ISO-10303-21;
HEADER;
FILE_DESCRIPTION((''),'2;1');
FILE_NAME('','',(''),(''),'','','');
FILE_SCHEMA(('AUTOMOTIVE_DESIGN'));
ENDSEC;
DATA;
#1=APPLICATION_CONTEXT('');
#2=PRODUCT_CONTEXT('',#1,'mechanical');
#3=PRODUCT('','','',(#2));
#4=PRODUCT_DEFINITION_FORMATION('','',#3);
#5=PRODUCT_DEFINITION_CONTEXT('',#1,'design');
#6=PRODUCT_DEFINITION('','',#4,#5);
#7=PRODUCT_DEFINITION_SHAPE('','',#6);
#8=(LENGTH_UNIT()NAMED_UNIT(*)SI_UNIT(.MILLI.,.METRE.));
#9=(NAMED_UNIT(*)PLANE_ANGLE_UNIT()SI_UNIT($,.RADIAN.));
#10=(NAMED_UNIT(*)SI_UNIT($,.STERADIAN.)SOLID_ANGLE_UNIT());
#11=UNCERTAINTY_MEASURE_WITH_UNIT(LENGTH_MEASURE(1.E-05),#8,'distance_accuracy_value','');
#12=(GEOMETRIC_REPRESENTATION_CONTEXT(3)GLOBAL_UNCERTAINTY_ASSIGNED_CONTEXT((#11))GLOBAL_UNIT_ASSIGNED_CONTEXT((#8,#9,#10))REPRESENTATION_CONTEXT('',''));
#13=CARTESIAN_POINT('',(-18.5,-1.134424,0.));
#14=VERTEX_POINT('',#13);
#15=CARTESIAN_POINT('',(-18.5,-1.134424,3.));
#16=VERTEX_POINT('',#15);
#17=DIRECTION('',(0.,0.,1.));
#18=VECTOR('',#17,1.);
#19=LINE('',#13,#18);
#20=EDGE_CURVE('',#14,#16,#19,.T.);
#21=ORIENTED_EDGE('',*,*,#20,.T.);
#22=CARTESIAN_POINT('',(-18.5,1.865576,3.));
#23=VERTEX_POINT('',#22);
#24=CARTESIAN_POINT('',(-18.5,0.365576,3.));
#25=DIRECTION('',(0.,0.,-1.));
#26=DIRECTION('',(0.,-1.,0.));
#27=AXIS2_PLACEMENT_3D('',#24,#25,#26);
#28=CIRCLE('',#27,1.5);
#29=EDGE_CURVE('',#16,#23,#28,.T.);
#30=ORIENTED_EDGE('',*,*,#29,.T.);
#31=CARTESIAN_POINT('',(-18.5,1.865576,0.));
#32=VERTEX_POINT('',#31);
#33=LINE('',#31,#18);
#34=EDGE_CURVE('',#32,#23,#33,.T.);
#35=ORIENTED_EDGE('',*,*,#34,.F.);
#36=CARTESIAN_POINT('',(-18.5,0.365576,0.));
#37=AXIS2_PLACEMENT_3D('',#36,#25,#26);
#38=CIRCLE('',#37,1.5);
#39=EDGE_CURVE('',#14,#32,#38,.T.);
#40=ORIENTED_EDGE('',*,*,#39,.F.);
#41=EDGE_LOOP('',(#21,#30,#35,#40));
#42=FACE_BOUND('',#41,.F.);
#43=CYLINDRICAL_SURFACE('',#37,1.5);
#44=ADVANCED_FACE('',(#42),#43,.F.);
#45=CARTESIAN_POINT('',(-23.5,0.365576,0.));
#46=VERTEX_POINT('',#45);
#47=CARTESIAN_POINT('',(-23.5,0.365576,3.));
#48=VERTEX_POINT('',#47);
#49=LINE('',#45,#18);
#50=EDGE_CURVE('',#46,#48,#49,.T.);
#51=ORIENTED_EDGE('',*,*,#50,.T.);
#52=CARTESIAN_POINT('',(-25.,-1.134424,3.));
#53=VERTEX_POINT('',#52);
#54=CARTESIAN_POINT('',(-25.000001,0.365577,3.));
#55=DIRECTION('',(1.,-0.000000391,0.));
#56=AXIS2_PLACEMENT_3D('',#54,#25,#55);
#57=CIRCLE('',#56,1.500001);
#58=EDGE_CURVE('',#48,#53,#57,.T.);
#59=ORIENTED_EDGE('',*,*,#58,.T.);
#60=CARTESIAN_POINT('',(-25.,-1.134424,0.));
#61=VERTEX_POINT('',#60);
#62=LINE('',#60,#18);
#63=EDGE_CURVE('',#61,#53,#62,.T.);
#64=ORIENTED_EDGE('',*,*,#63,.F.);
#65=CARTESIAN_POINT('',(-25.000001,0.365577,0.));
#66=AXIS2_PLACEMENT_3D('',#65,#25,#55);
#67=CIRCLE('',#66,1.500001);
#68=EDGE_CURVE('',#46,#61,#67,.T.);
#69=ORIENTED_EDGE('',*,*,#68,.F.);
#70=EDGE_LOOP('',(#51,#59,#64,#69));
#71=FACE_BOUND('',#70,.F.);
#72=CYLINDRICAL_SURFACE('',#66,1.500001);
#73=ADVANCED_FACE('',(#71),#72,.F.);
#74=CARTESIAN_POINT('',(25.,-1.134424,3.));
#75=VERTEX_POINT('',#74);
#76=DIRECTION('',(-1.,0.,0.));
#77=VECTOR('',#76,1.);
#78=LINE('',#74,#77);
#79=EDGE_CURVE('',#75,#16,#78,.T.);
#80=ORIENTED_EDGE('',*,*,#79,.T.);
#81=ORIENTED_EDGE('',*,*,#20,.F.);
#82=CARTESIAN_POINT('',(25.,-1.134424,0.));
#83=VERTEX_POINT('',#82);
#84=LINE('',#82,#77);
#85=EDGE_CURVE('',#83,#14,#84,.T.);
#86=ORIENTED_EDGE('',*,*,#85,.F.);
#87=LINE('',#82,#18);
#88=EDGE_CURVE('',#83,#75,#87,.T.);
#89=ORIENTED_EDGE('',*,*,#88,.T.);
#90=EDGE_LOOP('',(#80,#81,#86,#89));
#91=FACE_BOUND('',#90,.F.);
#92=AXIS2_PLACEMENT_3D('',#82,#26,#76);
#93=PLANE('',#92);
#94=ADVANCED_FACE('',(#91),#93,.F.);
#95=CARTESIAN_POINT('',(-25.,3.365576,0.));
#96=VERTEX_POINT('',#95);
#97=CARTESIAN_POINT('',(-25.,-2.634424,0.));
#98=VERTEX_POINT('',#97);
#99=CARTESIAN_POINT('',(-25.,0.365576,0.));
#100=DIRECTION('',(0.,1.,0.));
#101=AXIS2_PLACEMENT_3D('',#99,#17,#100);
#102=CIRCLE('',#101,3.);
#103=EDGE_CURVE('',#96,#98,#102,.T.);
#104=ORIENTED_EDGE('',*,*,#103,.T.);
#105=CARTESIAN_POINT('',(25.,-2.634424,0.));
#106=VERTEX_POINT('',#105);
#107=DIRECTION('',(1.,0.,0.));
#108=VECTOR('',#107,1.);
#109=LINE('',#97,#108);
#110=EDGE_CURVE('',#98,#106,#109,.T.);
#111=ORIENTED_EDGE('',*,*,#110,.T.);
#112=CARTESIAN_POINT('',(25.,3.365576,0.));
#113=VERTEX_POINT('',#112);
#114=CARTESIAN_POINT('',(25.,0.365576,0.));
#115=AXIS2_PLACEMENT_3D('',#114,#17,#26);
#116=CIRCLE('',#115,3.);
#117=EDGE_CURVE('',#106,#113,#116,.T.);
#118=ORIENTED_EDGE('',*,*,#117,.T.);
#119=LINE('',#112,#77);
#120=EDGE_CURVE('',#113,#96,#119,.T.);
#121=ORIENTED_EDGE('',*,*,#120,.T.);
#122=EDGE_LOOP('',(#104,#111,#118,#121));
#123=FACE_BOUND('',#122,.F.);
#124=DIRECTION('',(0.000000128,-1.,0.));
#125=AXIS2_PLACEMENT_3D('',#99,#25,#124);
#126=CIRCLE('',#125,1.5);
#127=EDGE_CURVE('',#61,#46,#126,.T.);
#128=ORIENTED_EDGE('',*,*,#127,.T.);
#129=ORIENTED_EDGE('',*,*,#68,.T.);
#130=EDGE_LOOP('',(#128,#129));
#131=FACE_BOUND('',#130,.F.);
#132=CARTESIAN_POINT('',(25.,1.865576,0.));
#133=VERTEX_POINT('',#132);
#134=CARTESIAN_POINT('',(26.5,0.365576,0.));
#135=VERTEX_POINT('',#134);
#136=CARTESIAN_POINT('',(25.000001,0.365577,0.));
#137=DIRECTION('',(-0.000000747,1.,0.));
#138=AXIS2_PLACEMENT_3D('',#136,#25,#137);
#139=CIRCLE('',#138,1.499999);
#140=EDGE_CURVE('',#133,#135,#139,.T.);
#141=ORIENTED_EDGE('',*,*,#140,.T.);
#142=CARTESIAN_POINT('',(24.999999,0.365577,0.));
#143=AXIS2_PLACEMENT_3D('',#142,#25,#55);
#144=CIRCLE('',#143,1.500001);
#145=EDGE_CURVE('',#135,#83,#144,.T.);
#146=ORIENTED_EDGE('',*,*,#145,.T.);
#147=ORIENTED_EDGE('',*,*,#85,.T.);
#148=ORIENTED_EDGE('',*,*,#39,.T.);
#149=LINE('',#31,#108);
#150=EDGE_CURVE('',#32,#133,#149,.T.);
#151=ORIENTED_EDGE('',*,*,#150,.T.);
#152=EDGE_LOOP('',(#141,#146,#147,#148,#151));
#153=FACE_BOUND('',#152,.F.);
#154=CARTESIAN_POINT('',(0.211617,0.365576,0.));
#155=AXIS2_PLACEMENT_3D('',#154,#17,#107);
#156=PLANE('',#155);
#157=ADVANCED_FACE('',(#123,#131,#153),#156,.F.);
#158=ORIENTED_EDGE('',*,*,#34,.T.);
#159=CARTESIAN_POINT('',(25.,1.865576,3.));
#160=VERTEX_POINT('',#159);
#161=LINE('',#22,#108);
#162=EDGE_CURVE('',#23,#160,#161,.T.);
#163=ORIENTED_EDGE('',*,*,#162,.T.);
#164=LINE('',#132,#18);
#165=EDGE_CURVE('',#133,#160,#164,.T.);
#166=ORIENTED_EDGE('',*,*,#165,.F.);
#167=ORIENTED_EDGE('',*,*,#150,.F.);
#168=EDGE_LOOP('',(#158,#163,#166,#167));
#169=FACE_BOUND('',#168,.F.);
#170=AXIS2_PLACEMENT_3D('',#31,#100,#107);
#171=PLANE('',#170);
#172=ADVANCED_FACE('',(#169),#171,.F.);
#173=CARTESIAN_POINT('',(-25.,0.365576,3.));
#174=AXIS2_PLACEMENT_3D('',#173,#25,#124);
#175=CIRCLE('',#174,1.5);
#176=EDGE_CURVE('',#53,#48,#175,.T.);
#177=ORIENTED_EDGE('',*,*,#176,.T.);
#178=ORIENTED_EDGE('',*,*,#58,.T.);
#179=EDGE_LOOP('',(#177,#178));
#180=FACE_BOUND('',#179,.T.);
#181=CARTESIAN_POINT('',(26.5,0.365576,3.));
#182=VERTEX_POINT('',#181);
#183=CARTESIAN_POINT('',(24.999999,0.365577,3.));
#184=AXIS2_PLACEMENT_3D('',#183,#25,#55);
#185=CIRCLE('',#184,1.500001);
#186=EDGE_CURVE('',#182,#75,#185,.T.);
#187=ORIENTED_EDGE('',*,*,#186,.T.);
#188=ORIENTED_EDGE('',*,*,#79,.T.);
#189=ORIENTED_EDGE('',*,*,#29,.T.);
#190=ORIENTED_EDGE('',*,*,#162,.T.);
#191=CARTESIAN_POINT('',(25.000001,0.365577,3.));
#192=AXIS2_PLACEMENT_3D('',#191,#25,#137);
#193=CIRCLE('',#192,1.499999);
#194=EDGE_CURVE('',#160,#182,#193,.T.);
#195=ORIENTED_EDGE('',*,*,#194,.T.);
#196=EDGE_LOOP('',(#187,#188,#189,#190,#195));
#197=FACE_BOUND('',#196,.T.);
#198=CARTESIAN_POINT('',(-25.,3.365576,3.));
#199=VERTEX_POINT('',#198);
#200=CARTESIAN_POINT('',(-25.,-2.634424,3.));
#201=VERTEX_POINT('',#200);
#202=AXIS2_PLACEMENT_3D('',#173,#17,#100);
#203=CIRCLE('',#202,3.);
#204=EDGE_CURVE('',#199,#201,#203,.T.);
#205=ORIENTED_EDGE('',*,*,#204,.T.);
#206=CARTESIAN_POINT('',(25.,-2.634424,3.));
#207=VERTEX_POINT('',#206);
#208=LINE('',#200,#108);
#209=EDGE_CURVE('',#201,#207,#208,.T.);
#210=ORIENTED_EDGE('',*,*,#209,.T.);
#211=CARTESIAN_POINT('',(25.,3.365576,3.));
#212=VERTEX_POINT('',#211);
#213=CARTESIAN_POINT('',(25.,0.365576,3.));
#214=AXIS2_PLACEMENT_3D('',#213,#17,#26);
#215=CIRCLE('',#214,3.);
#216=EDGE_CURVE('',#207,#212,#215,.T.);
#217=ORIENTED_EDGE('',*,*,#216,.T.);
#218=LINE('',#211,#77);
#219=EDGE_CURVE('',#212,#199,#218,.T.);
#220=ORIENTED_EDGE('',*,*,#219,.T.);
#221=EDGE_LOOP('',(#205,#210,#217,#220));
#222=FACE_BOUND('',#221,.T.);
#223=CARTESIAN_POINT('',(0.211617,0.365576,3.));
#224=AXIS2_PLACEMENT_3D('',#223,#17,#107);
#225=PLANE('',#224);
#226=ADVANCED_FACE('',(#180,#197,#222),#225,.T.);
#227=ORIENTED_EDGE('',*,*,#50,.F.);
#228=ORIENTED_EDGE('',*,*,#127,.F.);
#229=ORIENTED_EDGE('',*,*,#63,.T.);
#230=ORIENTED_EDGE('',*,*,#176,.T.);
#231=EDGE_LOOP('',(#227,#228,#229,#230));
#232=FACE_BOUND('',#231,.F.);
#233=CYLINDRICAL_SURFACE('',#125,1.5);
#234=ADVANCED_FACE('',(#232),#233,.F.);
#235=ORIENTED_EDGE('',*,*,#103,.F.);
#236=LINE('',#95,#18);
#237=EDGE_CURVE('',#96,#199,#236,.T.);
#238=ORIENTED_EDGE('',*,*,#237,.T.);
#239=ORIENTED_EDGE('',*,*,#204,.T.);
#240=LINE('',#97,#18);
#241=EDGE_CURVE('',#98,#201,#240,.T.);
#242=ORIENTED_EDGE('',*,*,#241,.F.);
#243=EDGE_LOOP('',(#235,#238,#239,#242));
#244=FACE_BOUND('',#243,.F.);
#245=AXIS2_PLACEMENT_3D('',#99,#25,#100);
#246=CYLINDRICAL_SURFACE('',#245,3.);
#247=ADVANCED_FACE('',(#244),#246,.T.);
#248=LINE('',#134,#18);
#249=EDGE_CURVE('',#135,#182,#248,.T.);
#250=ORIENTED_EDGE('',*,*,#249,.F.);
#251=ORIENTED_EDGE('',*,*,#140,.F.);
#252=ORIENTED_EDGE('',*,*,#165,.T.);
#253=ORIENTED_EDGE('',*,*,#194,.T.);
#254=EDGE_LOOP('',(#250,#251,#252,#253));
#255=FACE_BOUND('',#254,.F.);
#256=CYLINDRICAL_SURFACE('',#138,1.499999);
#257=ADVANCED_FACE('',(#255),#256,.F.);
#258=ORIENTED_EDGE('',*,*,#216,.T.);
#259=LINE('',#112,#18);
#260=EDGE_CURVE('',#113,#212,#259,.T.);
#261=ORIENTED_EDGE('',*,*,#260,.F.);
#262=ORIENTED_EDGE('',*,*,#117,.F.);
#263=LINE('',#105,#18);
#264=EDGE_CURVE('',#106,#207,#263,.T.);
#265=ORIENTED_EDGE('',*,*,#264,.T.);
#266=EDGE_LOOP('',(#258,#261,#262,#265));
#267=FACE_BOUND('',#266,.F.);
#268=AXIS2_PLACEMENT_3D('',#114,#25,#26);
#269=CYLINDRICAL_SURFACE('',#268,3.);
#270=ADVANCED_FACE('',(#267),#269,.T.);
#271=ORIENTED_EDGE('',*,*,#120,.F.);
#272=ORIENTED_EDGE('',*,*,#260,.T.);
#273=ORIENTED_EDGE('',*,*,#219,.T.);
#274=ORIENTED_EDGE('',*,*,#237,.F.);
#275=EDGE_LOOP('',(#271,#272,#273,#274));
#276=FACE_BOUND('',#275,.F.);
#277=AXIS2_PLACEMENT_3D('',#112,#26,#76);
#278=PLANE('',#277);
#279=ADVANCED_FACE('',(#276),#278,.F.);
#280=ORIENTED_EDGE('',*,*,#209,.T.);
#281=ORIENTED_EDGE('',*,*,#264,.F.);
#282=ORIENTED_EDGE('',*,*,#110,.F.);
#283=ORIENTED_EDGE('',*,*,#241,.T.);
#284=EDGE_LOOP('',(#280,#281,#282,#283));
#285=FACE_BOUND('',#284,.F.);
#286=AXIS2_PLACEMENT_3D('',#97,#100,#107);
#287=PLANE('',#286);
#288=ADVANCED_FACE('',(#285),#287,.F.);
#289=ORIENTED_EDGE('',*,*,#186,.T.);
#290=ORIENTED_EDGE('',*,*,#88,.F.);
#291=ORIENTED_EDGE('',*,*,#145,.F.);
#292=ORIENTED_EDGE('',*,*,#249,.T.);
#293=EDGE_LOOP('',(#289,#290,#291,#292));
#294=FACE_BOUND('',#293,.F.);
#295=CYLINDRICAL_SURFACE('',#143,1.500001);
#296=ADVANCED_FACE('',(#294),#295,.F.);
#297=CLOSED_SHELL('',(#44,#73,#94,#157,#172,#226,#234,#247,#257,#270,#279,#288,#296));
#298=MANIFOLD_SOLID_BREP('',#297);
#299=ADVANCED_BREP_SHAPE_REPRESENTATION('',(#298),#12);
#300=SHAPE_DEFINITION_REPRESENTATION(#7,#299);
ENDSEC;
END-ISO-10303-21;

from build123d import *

# Parameters (mm, degrees)
F1_DEPTH = 3


with BuildPart() as f1:
    # F0 (on Top) → F1 (new body)
    with BuildSketch(Plane.XY):
        with BuildLine():
            Line((25, 3.365576), (0, 3.365576))
            Line((0, 3.365576), (-25, 3.365576))
            ThreePointArc((-25, 3.365576), (-22.87868, 2.486897), (-22, 0.365576))
            ThreePointArc((-22, 0.365576), (-22.87868, -1.755744), (-25, -2.634424))
            Line((-25, -2.634424), (0, -2.634424))
            Line((0, -2.634424), (25, -2.634424))
            ThreePointArc((25, -2.634424), (28, 0.365576), (25, 3.365576))
        make_face()
        with BuildLine():
            ThreePointArc((-18.5, -1.134424), (-20, 0.365576), (-18.5, 1.865576))
            Line((-18.5, 1.865576), (25, 1.865576))
            ThreePointArc((25, 1.865576), (26.06066, 1.426237), (26.5, 0.365576))
            ThreePointArc((26.5, 0.365576), (26.06066, -0.695084), (25, -1.134424))
            Line((25, -1.134424), (-18.5, -1.134424))
        make_face(mode=Mode.SUBTRACT)
        with BuildLine():
            ThreePointArc((-22, 0.365576), (-22.87868, 2.486897), (-25, 3.365576))
            ThreePointArc((-25, 3.365576), (-28, 0.365576), (-25, -2.634424))
            ThreePointArc((-25, -2.634424), (-22.87868, -1.755744), (-22, 0.365576))
        make_face()
        with BuildLine():
            ThreePointArc((-23.5, 0.365576), (-23.93934, -0.695084), (-25, -1.134424))
            ThreePointArc((-25, -1.134424), (-26.06066, 1.426237), (-23.5, 0.365576))
        make_face(mode=Mode.SUBTRACT)
    extrude(amount=F1_DEPTH)


solid = f1.part
